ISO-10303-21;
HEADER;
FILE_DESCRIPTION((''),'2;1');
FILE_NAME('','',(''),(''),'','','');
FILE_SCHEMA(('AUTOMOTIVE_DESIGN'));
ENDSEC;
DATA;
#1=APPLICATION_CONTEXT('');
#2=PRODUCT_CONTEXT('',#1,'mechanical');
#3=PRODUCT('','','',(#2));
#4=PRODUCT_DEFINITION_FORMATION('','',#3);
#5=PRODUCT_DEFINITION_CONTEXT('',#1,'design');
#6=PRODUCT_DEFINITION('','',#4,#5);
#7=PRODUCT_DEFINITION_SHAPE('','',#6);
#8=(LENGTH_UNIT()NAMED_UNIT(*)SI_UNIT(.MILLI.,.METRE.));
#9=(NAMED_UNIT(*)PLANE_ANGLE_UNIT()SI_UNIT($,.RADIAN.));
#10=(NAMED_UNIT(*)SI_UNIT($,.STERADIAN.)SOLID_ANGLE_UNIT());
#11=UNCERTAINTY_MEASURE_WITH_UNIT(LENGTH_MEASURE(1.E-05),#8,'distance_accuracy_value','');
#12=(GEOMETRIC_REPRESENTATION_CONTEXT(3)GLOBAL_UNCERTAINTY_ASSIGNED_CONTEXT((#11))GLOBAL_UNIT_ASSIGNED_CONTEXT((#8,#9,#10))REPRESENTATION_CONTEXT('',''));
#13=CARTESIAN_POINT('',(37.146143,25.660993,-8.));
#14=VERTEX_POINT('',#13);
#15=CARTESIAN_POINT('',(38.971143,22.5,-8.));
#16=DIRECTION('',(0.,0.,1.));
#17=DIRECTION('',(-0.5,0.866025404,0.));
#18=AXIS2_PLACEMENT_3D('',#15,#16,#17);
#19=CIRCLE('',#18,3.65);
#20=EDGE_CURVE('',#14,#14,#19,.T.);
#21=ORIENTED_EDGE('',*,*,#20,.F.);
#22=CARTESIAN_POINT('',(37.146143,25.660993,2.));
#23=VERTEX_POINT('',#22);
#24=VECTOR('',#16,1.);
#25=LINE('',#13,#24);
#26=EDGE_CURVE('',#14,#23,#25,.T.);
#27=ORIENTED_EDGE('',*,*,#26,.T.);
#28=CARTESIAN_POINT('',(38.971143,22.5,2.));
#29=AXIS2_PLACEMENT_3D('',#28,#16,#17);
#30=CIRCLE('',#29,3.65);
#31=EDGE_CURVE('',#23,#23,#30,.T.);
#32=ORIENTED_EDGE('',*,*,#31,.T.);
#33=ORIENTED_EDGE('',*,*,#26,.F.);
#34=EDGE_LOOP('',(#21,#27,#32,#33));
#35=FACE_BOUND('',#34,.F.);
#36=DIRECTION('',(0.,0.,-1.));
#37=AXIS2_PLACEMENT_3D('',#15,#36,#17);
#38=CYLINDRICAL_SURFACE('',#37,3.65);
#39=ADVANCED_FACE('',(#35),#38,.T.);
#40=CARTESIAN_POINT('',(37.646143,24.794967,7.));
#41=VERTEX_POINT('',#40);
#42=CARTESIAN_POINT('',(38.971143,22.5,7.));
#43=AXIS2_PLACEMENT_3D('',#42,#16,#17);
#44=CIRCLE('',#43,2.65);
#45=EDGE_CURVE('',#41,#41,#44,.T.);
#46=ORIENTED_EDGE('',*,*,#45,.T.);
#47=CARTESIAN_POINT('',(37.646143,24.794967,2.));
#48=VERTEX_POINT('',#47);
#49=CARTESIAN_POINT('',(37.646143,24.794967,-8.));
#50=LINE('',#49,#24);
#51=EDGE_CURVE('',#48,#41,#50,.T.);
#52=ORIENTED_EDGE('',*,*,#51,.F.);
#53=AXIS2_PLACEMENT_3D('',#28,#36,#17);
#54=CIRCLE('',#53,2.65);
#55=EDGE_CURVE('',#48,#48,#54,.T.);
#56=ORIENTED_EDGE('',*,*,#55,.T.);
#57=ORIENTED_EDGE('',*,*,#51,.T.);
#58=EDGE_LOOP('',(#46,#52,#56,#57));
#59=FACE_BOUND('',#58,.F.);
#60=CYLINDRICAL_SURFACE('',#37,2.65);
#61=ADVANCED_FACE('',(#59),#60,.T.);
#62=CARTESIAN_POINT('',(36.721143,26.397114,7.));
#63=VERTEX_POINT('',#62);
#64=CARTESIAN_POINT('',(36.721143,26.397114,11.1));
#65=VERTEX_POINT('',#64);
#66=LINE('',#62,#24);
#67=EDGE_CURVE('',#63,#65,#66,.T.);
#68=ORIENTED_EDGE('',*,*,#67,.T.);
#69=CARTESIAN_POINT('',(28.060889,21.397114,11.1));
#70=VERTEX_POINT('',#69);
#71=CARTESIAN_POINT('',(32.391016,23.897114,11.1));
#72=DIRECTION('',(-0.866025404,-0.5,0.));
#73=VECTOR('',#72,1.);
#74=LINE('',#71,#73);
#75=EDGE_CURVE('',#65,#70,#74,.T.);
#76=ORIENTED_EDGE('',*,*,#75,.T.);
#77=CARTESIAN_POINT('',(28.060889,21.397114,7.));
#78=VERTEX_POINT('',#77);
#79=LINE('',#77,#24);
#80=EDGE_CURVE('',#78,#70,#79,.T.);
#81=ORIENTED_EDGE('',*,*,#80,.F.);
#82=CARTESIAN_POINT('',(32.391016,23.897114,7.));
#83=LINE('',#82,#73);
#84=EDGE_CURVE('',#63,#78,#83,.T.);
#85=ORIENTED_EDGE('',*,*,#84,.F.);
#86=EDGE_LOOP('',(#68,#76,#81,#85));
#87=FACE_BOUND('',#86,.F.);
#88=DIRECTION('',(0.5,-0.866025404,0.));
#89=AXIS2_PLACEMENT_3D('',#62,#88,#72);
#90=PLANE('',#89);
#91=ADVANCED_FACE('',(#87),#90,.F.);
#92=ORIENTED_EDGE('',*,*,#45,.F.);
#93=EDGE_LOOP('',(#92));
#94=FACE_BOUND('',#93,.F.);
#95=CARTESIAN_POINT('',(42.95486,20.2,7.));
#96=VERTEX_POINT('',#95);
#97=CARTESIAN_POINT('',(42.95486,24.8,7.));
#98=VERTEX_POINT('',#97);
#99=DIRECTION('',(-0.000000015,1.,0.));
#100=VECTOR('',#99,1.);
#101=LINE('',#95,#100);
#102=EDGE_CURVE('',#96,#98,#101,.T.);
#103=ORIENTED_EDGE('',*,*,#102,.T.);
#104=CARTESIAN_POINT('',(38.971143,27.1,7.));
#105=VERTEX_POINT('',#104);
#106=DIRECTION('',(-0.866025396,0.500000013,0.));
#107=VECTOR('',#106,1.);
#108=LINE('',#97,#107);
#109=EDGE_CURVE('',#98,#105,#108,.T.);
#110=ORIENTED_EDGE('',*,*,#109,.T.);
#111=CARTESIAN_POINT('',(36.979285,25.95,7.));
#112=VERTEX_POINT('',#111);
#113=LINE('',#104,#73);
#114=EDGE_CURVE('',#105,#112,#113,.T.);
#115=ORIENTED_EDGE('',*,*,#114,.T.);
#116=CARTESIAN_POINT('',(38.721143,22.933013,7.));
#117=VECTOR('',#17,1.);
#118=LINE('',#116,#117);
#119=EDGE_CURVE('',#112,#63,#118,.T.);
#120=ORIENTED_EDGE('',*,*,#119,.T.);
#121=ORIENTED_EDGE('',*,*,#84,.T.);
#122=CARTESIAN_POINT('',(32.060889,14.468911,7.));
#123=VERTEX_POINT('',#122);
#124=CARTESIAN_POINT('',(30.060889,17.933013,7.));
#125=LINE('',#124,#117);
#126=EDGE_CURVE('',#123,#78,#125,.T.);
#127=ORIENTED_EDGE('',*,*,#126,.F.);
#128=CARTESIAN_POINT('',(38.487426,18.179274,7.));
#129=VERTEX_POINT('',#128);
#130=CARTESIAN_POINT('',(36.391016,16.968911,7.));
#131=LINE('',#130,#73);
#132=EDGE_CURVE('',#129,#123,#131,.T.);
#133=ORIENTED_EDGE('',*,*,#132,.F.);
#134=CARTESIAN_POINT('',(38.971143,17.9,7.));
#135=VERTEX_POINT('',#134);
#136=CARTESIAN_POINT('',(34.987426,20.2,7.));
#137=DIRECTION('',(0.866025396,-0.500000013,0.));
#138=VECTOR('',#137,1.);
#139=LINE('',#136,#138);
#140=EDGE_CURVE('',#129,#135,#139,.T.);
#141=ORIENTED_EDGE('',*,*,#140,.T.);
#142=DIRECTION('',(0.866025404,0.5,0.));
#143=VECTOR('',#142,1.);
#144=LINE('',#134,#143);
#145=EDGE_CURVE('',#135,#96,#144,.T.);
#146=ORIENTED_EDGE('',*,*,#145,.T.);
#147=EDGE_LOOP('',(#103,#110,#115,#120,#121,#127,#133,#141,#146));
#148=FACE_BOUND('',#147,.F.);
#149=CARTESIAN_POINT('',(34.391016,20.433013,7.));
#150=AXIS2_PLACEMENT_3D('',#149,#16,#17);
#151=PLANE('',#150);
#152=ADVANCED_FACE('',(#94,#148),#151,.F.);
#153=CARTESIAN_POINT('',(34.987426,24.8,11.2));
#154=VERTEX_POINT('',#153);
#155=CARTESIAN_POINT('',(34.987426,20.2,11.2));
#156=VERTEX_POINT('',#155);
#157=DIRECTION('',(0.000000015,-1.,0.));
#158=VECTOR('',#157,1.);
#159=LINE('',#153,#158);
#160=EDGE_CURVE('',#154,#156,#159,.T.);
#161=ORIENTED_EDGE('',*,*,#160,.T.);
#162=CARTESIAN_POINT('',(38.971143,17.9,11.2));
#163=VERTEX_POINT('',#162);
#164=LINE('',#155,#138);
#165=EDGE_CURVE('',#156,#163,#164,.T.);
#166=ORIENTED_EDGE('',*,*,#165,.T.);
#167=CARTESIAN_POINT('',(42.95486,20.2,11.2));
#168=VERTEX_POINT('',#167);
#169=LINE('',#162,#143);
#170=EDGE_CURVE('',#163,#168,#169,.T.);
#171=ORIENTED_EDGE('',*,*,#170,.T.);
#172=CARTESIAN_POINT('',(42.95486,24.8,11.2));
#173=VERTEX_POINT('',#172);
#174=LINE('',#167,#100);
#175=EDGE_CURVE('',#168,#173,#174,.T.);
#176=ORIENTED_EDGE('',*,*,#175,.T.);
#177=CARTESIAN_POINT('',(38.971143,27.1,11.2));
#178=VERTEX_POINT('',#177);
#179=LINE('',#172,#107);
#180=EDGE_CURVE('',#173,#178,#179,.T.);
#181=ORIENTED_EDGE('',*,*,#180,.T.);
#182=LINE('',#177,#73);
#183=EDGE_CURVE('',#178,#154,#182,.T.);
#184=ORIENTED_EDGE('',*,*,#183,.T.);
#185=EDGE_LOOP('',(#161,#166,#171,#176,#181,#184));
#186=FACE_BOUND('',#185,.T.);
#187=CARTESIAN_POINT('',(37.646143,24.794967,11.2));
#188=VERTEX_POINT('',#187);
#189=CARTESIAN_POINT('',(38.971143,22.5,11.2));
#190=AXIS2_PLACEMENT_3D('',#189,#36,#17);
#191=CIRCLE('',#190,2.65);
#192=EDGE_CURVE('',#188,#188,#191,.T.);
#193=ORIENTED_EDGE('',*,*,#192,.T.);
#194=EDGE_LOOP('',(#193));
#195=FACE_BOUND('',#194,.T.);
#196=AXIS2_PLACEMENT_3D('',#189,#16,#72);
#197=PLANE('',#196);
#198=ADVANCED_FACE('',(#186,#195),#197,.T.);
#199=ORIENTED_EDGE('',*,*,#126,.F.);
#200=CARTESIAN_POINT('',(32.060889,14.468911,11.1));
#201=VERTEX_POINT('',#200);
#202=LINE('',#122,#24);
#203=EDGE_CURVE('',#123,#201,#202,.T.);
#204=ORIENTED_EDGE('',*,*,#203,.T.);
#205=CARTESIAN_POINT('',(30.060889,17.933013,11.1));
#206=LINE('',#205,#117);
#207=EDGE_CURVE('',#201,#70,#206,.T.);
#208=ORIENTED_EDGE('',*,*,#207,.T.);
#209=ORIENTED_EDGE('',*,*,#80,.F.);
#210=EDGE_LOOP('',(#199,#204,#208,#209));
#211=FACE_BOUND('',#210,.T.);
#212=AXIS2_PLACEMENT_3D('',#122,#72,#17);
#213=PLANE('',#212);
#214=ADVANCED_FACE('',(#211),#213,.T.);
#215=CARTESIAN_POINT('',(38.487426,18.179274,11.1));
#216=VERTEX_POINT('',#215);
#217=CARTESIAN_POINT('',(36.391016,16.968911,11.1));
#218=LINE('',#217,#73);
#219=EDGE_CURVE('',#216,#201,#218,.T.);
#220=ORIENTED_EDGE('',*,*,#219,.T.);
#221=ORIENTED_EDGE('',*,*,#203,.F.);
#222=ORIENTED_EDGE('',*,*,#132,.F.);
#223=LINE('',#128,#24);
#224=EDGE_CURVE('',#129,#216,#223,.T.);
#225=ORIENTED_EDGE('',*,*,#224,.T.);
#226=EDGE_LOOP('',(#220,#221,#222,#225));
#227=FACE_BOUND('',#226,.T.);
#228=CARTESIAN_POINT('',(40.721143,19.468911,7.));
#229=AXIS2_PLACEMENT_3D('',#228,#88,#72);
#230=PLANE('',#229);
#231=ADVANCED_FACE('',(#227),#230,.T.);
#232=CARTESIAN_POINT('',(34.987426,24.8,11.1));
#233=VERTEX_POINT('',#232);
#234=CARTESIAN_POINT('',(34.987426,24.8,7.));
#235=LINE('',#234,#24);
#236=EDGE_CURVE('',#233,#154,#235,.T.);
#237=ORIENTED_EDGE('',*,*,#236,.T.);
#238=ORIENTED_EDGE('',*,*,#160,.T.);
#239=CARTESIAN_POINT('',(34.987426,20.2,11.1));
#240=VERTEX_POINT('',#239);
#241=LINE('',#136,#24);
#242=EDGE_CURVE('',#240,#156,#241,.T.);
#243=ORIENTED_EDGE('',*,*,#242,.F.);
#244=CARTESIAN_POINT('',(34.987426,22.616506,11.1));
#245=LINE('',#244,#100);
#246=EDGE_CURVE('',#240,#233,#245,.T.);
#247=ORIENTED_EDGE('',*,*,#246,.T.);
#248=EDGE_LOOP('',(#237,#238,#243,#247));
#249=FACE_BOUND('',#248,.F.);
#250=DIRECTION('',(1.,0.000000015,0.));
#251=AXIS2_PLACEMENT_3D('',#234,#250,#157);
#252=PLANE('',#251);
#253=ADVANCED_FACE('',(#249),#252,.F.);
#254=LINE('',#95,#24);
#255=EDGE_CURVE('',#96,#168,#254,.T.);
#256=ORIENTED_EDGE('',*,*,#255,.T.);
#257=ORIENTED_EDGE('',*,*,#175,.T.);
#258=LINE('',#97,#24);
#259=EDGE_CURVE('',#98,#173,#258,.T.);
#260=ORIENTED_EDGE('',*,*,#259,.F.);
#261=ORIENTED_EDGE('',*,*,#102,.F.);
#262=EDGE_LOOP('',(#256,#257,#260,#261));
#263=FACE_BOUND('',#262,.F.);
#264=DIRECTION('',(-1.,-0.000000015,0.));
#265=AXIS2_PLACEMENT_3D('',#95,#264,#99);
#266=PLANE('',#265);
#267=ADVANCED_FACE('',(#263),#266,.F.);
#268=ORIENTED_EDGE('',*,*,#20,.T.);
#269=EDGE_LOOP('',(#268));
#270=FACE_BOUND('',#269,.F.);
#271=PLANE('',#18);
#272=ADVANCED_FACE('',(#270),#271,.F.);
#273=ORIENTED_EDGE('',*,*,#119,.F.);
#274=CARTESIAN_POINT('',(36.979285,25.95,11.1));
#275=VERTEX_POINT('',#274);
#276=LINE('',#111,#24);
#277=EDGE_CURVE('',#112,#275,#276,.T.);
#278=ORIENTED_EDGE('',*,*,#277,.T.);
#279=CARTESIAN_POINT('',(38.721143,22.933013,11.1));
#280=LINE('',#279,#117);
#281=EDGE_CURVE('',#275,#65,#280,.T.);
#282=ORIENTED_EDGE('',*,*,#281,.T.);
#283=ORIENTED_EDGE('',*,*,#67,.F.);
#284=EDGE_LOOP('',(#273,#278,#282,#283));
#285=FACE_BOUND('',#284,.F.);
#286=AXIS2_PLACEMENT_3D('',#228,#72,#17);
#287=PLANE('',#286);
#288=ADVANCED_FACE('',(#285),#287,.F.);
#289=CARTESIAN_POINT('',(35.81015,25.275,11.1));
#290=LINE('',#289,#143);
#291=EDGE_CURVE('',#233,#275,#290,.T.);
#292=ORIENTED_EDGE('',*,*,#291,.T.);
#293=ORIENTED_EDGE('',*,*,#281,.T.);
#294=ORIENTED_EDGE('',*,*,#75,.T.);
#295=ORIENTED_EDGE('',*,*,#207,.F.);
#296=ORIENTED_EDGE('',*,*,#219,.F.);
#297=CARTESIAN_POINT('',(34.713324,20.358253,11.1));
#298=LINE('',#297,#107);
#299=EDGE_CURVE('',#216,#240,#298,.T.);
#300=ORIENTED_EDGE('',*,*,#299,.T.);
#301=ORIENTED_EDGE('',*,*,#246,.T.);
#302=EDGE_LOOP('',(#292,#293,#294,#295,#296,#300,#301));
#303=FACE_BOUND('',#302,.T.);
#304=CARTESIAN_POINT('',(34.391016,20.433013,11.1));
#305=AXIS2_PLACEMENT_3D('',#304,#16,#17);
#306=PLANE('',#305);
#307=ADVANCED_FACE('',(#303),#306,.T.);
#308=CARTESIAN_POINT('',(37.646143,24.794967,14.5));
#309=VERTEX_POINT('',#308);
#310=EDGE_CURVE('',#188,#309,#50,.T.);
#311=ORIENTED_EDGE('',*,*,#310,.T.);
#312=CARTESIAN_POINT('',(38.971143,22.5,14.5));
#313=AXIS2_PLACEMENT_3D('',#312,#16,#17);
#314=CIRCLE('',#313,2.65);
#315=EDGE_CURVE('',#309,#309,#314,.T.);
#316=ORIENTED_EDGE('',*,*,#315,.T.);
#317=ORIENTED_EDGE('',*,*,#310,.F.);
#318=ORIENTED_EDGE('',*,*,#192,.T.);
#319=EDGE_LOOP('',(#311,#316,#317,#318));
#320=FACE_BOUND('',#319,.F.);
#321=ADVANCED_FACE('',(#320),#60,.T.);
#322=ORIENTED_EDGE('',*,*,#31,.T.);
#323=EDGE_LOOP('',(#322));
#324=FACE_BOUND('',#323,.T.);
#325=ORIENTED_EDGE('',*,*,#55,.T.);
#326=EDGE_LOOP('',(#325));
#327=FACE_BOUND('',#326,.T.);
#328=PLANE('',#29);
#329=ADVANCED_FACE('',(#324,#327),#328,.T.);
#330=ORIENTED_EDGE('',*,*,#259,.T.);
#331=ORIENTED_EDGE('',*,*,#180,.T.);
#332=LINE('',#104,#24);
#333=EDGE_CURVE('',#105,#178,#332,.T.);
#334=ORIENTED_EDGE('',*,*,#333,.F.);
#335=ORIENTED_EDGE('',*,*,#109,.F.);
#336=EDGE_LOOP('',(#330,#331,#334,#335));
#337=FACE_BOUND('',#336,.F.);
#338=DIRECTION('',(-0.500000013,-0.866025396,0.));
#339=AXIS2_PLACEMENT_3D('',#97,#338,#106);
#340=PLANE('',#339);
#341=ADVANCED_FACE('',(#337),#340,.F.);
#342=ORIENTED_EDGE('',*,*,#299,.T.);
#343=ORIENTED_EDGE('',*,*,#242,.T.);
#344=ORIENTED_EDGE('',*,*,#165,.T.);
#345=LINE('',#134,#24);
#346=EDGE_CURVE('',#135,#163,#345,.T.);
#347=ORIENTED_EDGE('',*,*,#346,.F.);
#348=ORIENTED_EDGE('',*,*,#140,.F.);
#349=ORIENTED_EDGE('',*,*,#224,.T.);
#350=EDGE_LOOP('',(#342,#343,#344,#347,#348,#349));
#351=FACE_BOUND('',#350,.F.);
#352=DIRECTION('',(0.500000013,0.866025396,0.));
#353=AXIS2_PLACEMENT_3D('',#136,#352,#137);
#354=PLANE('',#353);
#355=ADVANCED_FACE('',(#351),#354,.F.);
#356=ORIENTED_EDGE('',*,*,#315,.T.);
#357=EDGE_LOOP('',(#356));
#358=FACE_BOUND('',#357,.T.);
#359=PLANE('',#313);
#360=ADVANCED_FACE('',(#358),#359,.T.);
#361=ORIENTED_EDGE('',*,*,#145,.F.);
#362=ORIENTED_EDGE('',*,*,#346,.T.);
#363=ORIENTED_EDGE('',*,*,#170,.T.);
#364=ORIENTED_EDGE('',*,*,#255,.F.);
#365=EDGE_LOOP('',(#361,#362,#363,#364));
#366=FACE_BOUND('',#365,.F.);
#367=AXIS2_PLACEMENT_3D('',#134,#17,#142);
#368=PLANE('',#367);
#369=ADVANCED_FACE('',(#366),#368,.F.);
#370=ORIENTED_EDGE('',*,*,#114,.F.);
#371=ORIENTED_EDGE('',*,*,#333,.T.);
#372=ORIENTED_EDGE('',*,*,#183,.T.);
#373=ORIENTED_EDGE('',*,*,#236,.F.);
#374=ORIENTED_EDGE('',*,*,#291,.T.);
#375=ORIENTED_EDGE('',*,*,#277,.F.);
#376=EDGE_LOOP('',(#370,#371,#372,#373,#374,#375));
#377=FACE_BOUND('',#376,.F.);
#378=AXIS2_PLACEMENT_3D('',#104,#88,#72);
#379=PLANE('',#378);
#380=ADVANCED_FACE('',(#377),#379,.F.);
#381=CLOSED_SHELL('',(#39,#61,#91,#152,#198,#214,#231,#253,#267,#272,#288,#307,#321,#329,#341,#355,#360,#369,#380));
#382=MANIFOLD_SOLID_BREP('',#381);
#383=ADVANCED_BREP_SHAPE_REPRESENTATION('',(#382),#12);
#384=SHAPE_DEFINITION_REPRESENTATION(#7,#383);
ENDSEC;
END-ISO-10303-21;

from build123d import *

# Parameters (mm, degrees)
BOX014_W                                          = 8
BOX014_H                                          = 10
BOX014_DEPTH                                      = 4.1
PRISM009_DEPTH                                    = 4.2
CYLINDER014005916_R                               = 3.65
CYLINDER014005916_DEPTH                           = 10
CYLINDER014005905_R                               = 2.65
CYLINDER014005905_DEPTH                           = 22.5
FUSION001089102007007003008034017_PLACEMENT_ANGLE = 120


with BuildPart() as krychle014:
    # Box014 → Box014 (new body)
    with BuildSketch(Plane(origin=(-3.5, 0, 7), x_dir=(1, 0, 0), z_dir=(0, 0, 1))):
        with Locations((4, 5)):
            Rectangle(BOX014_W, BOX014_H)
    extrude(amount=BOX014_DEPTH)


with BuildPart() as m4x005:
    # prism009 → prism009 (new body)
    with BuildSketch(Plane(origin=(0, 0, 7), x_dir=(0, 1, 0), z_dir=(0, 0, 1))):
        Polygon((4.6, 0), (2.3, 3.983717), (-2.3, 3.983717), (-4.6, 0), (-2.3, -3.983717), (2.3, -3.983717), align=None)
    extrude(amount=PRISM009_DEPTH)


with BuildPart() as v_lec826:
    # Cylinder014005916 → Cylinder014005916 (new body)
    with BuildSketch(Plane.XY.offset(-8)):
        Circle(CYLINDER014005916_R)
    extrude(amount=CYLINDER014005916_DEPTH)


with BuildPart() as m4nut014:
    # Cylinder014005905 → Cylinder014005905 (new body)
    with BuildSketch(Plane.XY.offset(-8)):
        Circle(CYLINDER014005905_R)
    extrude(amount=CYLINDER014005905_DEPTH)

    # Fusion001089102007007003008034015: union Krychle014, M4X005, Válec826
    add(krychle014.part)
    add(m4x005.part)
    add(v_lec826.part)


with BuildPart() as m4nut014_1:
    # Fusion001089102007007003008034015 placement: moved
    add(m4nut014.part.moved(Location((0, -45, 0))))


with BuildPart() as m4nut014_2:
    # Fusion001089102007007003008034017 placement: moved
    add(m4nut014_1.part.rotate(Axis((0, 0, 0), (0, 0, 1)), FUSION001089102007007003008034017_PLACEMENT_ANGLE))


solid = m4nut014_2.part
